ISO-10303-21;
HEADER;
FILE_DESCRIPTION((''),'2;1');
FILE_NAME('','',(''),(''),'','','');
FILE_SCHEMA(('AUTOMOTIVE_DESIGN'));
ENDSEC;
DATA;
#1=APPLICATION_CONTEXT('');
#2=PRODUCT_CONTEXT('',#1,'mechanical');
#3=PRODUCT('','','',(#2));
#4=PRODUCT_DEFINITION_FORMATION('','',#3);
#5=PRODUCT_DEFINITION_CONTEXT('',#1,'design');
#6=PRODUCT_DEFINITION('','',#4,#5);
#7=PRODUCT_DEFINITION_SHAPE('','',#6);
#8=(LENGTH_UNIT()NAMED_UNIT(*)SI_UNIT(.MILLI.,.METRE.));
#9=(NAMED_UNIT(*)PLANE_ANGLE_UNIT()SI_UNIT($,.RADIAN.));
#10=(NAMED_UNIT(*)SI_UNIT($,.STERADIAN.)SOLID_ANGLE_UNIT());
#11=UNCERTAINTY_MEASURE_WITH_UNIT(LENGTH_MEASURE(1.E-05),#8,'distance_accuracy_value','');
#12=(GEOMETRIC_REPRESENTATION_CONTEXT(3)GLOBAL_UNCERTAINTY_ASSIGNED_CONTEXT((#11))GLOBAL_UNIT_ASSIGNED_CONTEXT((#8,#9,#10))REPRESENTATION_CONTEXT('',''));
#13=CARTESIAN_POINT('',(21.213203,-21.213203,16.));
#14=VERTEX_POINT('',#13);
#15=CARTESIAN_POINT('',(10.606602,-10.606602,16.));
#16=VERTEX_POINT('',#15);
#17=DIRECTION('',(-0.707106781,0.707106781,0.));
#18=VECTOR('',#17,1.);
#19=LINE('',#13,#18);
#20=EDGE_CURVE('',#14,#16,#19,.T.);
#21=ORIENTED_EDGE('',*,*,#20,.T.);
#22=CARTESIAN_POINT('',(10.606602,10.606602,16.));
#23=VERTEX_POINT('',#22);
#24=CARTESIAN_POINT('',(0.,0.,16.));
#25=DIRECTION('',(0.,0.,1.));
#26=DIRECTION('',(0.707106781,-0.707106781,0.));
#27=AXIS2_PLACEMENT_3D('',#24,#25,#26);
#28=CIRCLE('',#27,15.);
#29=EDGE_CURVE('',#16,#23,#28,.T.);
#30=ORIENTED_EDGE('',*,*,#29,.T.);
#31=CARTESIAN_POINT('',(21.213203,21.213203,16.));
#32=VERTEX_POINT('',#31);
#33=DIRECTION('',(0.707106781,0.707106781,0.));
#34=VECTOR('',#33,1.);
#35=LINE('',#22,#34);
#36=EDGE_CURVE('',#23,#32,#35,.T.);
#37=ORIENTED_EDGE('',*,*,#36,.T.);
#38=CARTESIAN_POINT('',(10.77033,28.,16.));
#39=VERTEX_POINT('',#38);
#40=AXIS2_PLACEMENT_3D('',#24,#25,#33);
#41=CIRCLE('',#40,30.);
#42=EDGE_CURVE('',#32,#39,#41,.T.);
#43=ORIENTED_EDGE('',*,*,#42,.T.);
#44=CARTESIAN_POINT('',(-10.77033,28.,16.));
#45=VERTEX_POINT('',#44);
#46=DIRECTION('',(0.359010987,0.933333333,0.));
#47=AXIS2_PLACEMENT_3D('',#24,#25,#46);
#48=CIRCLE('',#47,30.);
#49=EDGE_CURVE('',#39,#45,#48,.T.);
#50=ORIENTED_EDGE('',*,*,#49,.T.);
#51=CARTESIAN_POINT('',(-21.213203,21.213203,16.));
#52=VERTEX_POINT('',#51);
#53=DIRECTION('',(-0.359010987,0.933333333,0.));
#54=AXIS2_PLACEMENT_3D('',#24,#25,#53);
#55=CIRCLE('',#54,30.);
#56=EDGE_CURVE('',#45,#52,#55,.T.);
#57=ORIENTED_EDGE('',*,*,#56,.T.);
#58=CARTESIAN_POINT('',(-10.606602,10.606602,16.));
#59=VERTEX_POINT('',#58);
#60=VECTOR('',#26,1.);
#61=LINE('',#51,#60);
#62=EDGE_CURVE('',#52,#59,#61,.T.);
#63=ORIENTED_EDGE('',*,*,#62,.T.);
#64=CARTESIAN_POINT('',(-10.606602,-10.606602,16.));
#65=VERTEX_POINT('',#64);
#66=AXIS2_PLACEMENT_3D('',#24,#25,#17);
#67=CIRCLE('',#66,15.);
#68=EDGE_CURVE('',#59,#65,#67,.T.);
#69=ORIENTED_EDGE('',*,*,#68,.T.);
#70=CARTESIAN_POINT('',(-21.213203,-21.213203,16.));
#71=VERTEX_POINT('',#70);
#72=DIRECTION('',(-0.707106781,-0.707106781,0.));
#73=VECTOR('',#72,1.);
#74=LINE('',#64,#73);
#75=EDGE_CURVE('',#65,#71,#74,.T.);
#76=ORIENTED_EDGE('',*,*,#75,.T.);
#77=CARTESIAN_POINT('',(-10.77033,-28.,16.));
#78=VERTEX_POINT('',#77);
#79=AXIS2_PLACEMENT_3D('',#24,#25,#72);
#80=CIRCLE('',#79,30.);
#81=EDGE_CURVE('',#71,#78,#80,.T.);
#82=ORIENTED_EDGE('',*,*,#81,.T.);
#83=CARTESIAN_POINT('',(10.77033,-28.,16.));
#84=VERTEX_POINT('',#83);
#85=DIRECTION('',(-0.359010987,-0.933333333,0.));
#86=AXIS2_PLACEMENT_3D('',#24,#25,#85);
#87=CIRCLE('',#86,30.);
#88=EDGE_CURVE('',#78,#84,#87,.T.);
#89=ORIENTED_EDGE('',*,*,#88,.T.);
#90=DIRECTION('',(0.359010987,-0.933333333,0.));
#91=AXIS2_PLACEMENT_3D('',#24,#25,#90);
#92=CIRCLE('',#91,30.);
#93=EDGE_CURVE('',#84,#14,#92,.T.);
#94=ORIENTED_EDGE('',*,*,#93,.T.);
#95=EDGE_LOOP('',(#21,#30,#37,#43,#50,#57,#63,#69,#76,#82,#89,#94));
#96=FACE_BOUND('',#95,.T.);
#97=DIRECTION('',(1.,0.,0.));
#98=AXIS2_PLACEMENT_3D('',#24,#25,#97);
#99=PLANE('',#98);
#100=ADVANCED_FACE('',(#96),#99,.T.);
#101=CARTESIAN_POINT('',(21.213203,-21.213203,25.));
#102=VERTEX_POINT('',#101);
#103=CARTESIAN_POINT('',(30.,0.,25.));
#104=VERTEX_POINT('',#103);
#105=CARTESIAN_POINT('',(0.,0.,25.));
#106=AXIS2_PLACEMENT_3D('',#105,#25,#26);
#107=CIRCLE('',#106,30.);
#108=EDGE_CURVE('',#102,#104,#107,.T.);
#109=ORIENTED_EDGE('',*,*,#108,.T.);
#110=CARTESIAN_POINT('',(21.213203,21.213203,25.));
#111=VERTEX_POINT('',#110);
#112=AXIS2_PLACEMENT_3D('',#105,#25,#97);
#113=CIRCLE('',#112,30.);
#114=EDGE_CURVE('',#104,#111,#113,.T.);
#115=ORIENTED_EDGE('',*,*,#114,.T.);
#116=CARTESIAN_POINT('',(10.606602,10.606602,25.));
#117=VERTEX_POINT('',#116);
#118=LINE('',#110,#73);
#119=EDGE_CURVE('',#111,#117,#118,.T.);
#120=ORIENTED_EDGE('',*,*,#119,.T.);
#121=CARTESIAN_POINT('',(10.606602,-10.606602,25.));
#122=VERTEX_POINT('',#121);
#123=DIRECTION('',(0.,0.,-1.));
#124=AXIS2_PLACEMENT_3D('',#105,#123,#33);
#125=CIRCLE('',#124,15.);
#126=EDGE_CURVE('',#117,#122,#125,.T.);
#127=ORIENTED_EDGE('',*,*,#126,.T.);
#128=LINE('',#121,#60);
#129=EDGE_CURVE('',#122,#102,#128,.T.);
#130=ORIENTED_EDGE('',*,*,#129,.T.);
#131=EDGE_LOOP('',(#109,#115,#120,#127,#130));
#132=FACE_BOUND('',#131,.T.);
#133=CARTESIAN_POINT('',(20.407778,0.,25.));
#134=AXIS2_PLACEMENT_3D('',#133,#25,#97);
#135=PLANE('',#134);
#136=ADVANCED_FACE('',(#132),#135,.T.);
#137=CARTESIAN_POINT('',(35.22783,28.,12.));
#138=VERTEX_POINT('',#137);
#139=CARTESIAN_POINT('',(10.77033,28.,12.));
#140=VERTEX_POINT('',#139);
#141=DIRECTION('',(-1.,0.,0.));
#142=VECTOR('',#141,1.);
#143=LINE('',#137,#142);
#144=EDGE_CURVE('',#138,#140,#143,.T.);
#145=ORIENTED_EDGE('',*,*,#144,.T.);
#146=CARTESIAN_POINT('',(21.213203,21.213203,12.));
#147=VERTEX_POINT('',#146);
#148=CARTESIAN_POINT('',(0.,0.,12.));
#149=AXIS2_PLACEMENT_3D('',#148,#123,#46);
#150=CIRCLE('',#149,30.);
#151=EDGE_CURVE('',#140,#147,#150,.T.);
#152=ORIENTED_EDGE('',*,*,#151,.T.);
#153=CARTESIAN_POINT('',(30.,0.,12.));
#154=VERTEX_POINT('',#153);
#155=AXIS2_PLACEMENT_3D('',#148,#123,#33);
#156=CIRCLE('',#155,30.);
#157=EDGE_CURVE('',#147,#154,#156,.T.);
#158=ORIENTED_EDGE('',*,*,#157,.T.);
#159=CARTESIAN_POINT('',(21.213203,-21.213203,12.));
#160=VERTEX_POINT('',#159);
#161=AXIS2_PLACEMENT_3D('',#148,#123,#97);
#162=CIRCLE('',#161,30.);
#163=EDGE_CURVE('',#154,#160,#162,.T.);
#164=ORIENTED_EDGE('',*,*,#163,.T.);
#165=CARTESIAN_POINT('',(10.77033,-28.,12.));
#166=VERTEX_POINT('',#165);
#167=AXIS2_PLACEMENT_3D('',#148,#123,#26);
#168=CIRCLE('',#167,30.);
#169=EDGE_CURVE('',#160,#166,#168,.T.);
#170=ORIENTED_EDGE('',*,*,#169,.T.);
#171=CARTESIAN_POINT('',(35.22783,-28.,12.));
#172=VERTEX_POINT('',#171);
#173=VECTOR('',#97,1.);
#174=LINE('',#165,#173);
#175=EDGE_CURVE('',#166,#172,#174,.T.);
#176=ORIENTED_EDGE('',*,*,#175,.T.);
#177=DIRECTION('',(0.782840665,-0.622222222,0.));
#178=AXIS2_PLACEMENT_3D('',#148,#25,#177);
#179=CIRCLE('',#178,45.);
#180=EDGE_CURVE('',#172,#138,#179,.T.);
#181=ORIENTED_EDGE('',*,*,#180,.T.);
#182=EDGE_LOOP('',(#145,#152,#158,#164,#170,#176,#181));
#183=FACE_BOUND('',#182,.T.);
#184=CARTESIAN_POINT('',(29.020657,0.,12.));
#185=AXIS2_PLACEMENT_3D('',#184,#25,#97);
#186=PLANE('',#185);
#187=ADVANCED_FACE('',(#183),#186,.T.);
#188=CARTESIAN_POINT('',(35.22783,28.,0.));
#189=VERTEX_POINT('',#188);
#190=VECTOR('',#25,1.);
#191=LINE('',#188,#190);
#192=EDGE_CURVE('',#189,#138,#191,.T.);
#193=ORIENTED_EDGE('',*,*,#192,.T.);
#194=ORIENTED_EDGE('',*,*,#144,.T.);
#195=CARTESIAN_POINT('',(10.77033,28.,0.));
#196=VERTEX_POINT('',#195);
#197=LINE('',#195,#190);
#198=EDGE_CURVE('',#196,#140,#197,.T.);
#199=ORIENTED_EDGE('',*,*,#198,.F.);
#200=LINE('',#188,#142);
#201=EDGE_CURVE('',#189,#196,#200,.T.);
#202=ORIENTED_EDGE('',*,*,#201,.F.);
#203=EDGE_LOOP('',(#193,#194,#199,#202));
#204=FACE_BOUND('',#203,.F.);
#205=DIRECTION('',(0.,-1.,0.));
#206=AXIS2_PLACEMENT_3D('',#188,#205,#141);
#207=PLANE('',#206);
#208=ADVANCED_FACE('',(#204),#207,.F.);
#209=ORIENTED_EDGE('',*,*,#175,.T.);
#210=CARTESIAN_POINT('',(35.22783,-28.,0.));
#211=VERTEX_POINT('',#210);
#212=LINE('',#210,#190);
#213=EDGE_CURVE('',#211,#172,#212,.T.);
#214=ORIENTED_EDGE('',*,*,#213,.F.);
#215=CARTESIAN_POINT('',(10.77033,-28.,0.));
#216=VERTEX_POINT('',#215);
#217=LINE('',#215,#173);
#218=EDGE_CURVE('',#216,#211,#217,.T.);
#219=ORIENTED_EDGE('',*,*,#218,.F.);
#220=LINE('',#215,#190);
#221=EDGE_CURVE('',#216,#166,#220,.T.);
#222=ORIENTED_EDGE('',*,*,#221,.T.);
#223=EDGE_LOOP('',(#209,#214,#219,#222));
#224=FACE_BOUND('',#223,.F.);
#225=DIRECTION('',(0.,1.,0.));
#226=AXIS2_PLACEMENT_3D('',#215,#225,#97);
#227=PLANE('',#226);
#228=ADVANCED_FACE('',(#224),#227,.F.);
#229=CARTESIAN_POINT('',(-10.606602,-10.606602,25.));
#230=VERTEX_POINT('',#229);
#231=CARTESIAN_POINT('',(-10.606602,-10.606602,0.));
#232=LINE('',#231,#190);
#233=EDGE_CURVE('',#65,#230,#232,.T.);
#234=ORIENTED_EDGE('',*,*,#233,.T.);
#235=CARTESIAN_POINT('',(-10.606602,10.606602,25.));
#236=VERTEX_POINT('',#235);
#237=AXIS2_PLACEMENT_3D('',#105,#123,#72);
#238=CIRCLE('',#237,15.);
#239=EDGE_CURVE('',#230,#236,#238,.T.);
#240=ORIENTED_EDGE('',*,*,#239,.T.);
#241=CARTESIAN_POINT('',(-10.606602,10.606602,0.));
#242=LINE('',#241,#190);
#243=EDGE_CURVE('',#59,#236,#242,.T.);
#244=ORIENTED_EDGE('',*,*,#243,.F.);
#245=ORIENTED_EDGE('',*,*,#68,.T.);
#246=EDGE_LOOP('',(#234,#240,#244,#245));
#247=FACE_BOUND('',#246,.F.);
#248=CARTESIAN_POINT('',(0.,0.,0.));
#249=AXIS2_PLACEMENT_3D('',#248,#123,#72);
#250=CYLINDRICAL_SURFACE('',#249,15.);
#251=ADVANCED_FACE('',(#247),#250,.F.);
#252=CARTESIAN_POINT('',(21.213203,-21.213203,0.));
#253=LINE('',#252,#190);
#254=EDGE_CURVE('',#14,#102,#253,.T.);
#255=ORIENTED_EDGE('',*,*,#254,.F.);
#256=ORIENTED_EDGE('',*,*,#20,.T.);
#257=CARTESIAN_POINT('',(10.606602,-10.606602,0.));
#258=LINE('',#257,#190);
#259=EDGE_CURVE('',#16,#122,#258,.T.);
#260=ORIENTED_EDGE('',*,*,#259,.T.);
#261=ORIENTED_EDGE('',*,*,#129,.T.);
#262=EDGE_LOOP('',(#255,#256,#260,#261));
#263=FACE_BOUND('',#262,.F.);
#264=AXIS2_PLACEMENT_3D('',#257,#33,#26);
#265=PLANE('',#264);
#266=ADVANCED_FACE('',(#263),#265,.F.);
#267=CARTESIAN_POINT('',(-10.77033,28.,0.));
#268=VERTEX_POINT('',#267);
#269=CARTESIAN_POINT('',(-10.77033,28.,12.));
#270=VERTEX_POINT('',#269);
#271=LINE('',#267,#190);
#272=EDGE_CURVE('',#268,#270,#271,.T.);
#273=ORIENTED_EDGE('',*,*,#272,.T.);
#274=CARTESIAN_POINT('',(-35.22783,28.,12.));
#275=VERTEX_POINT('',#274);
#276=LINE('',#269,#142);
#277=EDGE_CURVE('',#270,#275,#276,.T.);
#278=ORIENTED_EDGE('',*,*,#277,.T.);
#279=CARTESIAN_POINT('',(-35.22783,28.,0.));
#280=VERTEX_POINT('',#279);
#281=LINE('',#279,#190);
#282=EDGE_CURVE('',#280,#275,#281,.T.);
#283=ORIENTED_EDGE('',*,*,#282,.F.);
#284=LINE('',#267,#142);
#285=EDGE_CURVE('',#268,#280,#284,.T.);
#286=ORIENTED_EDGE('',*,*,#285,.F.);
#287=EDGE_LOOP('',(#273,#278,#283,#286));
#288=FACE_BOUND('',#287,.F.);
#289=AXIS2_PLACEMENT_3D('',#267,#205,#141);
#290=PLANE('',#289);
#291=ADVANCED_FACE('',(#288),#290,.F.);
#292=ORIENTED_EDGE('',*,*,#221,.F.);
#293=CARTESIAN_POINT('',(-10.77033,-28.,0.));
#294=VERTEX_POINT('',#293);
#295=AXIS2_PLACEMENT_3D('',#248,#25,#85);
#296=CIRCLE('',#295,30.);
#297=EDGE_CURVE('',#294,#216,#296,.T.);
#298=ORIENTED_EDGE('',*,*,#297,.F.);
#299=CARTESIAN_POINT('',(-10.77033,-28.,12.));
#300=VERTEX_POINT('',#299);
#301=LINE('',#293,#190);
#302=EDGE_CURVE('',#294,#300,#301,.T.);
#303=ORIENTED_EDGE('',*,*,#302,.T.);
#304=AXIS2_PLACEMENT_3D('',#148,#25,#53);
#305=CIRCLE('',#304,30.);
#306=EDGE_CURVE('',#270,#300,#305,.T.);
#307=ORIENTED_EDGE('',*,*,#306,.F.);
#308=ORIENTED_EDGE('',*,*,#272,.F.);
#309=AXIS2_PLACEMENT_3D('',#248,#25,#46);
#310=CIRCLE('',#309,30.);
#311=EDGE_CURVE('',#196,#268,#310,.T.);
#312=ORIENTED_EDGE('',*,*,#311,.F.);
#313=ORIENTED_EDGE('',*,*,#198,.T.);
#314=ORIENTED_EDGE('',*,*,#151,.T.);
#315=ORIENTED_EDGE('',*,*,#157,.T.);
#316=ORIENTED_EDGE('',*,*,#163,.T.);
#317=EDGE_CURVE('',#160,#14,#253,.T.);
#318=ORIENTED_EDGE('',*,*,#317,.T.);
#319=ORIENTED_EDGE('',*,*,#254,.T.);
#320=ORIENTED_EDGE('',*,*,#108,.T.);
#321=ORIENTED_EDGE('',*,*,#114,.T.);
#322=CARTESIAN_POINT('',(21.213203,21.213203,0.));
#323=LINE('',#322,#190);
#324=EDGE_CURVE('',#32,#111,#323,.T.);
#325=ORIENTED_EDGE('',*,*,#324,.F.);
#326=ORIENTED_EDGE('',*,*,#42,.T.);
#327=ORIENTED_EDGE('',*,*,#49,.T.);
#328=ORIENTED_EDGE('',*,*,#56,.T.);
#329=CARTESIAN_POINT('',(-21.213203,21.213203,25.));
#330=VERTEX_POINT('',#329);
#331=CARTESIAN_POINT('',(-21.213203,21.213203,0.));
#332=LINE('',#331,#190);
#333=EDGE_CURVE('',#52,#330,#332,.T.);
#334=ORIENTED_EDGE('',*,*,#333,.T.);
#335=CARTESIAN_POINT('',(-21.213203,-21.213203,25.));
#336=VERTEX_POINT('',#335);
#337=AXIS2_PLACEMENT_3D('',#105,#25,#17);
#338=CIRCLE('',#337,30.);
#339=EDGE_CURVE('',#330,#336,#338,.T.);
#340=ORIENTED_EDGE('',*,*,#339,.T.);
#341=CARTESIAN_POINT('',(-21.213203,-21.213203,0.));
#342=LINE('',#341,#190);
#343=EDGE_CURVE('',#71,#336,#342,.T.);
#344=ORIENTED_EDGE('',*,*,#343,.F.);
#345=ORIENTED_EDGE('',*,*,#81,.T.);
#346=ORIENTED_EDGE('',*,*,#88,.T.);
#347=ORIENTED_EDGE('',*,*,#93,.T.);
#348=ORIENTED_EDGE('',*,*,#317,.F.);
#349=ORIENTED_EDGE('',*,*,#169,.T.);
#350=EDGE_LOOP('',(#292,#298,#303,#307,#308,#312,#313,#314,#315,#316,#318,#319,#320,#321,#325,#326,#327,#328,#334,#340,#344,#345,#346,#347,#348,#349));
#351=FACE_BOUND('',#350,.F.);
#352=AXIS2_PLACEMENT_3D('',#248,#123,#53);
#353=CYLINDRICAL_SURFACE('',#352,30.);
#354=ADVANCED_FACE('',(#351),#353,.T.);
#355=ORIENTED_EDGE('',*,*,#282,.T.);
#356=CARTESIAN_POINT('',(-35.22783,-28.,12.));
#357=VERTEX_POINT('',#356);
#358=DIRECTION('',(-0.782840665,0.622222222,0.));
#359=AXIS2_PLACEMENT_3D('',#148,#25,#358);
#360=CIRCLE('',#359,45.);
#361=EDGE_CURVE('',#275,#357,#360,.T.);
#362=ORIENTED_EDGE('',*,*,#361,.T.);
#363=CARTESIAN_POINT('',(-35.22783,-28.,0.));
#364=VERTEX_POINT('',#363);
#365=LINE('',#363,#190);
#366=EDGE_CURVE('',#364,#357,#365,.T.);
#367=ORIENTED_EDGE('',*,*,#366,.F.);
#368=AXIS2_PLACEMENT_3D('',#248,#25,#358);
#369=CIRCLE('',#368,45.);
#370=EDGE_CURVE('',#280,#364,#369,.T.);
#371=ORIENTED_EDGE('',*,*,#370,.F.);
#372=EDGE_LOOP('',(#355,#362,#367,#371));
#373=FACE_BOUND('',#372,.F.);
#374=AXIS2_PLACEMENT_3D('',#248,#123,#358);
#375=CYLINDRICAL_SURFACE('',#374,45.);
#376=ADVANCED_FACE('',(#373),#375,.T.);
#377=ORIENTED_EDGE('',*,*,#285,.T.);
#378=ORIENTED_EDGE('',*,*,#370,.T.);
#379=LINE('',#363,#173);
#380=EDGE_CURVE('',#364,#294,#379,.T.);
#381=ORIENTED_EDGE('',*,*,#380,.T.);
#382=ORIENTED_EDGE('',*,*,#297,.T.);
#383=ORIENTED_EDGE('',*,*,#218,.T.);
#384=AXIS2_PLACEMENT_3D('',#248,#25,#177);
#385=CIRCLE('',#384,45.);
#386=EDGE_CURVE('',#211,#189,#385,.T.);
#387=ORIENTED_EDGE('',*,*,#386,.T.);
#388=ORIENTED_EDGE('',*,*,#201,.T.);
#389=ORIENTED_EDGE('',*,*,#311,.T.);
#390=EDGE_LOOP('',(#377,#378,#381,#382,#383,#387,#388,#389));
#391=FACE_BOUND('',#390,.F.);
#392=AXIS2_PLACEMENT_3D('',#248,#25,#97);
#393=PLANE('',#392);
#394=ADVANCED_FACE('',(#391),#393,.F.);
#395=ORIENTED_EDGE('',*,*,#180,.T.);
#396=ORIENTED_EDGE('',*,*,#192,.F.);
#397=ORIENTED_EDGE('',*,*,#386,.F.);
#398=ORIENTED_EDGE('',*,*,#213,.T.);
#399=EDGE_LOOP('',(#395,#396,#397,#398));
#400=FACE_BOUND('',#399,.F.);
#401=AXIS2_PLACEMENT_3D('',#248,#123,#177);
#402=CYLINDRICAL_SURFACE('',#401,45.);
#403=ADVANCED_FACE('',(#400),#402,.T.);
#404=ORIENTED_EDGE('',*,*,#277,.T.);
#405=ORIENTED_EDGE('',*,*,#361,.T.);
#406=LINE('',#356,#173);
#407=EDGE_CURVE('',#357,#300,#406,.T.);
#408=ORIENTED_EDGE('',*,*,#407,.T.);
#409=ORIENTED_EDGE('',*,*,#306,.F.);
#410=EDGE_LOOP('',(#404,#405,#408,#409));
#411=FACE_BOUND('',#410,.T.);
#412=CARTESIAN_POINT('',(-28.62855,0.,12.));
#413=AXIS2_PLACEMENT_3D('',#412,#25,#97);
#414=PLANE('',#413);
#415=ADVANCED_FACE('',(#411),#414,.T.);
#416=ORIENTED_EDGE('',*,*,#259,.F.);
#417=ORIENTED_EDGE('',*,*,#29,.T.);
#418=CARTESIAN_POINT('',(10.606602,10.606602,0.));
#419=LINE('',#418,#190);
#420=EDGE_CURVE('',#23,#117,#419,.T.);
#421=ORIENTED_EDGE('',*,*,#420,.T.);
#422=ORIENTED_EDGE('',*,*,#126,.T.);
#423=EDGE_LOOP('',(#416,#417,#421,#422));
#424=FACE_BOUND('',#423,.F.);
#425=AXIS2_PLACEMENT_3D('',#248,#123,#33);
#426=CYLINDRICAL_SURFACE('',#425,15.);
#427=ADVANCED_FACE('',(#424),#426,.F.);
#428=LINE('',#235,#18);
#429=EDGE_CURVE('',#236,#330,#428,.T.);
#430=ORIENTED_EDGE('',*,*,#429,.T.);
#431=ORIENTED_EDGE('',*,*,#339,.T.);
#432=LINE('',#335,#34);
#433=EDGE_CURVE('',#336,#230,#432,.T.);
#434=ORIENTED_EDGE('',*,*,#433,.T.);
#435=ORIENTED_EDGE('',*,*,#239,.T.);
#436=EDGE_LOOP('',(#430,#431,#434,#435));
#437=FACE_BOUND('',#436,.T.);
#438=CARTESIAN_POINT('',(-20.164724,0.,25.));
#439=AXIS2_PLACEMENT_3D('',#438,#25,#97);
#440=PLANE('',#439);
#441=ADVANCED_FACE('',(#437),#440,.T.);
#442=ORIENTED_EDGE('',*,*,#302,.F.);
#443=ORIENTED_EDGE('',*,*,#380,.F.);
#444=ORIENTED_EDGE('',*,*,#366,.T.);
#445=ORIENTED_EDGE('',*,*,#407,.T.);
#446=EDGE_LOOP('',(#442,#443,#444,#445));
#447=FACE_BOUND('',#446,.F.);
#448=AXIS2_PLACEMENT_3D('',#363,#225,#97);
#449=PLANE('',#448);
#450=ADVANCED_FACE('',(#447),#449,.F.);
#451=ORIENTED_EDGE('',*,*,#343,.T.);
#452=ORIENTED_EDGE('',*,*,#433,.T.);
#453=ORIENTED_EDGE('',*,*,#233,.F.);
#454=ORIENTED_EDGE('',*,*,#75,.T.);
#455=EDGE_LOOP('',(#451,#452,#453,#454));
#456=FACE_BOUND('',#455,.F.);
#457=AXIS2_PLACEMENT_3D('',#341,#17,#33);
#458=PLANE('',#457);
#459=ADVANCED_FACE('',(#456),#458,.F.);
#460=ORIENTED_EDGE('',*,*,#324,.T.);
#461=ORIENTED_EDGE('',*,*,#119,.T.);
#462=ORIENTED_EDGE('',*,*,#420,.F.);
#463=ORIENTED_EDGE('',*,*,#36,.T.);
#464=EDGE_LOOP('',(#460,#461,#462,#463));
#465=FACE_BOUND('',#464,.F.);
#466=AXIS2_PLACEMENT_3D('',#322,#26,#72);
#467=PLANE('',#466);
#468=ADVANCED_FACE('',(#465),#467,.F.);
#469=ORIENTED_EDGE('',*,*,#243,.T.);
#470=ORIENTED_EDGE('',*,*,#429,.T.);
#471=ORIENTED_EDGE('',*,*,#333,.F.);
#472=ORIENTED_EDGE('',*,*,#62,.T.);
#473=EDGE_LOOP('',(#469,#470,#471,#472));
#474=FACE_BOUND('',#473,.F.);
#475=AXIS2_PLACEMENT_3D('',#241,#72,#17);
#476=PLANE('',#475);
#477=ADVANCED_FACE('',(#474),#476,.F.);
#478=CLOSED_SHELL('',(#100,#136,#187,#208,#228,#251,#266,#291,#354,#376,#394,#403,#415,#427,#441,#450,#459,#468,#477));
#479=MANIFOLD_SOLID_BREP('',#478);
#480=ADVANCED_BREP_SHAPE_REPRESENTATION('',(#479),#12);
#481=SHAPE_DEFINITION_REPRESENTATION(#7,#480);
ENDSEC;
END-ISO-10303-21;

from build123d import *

# Parameters (mm, degrees)
F1_DEPTH = 12
F2_DEPTH = 16
F3_DEPTH = 25


with BuildPart() as f1:
    # F0 (on Top) → F1 (new body)
    with BuildSketch(Plane.XY):
        with BuildLine():
            ThreePointArc((-21.2132034356, 21.2132034356), (-16.3478362021, 25.1544877012), (-10.7703296143, 28))
            Line((-10.7703296143, 28), (-35.2278299076, 28))
            ThreePointArc((-35.2278299076, 28), (-45, 0), (-35.2278299076, -28))
            Line((-35.2278299076, -28), (-10.7703296143, -28))
            ThreePointArc((-10.7703296143, -28), (-16.3478362021, -25.1544877012), (-21.2132034356, -21.2132034356))
            ThreePointArc((-21.2132034356, -21.2132034356), (-30, 0), (-21.2132034356, 21.2132034356))
        make_face()
    extrude(amount=F1_DEPTH)



with BuildPart() as f1b:
    # F0 (on Top) → F1, piece 2 (new body)
    with BuildSketch(Plane.XY):
        with BuildLine():
            ThreePointArc((21.2132034356, 21.2132034356), (27.7163859753, 11.480502971), (30, 0))
            ThreePointArc((30, 0), (27.7163859753, -11.480502971), (21.2132034356, -21.2132034356))
            ThreePointArc((21.2132034356, -21.2132034356), (16.3478362021, -25.1544877012), (10.7703296143, -28))
            Line((10.7703296143, -28), (35.2278299076, -28))
            ThreePointArc((35.2278299076, -28), (45, 0), (35.2278299076, 28))
            Line((35.2278299076, 28), (10.7703296143, 28))
            ThreePointArc((10.7703296143, 28), (16.3478362021, 25.1544877012), (21.2132034356, 21.2132034356))
        make_face()
    extrude(amount=F1_DEPTH)


with BuildPart() as f1_1:
    add(f1.part)

    add(f1b.part)  # F2 merges F1b
    # F0 (on Top) → F2 (join)
    with BuildSketch(Plane.XY):
        with BuildLine():
            Line((10.6066017178, 10.6066017178), (21.2132034356, 21.2132034356))
            ThreePointArc((21.2132034356, 21.2132034356), (16.3478362021, 25.1544877012), (10.7703296143, 28))
            ThreePointArc((10.7703296143, 28), (0, 30), (-10.7703296143, 28))
            ThreePointArc((-10.7703296143, 28), (-16.3478362021, 25.1544877012), (-21.2132034356, 21.2132034356))
            Line((-21.2132034356, 21.2132034356), (-10.6066017178, 10.6066017178))
            ThreePointArc((-10.6066017178, 10.6066017178), (-15, 0), (-10.6066017178, -10.6066017178))
            Line((-10.6066017178, -10.6066017178), (-21.2132034356, -21.2132034356))
            ThreePointArc((-21.2132034356, -21.2132034356), (-16.3478362021, -25.1544877012), (-10.7703296143, -28))
            ThreePointArc((-10.7703296143, -28), (0, -30), (10.7703296143, -28))
            ThreePointArc((10.7703296143, -28), (16.3478362021, -25.1544877012), (21.2132034356, -21.2132034356))
            Line((21.2132034356, -21.2132034356), (10.6066017178, -10.6066017178))
            ThreePointArc((10.6066017178, -10.6066017178), (15, 0), (10.6066017178, 10.6066017178))
        make_face()
    extrude(amount=F2_DEPTH)

    # F0 (on Top) → F3 (join)
    with BuildSketch(Plane.XY):
        with BuildLine():
            ThreePointArc((21.2132034356, -21.2132034356), (27.7163859753, -11.480502971), (30, 0))
            ThreePointArc((30, 0), (27.7163859753, 11.480502971), (21.2132034356, 21.2132034356))
            Line((21.2132034356, 21.2132034356), (10.6066017178, 10.6066017178))
            ThreePointArc((10.6066017178, 10.6066017178), (15, 0), (10.6066017178, -10.6066017178))
            Line((10.6066017178, -10.6066017178), (21.2132034356, -21.2132034356))
        make_face()
        with BuildLine():
            Line((-10.6066017178, 10.6066017178), (-21.2132034356, 21.2132034356))
            ThreePointArc((-21.2132034356, 21.2132034356), (-30, 0), (-21.2132034356, -21.2132034356))
            Line((-21.2132034356, -21.2132034356), (-10.6066017178, -10.6066017178))
            ThreePointArc((-10.6066017178, -10.6066017178), (-15, 0), (-10.6066017178, 10.6066017178))
        make_face()
    extrude(amount=F3_DEPTH)


solid = f1_1.part
